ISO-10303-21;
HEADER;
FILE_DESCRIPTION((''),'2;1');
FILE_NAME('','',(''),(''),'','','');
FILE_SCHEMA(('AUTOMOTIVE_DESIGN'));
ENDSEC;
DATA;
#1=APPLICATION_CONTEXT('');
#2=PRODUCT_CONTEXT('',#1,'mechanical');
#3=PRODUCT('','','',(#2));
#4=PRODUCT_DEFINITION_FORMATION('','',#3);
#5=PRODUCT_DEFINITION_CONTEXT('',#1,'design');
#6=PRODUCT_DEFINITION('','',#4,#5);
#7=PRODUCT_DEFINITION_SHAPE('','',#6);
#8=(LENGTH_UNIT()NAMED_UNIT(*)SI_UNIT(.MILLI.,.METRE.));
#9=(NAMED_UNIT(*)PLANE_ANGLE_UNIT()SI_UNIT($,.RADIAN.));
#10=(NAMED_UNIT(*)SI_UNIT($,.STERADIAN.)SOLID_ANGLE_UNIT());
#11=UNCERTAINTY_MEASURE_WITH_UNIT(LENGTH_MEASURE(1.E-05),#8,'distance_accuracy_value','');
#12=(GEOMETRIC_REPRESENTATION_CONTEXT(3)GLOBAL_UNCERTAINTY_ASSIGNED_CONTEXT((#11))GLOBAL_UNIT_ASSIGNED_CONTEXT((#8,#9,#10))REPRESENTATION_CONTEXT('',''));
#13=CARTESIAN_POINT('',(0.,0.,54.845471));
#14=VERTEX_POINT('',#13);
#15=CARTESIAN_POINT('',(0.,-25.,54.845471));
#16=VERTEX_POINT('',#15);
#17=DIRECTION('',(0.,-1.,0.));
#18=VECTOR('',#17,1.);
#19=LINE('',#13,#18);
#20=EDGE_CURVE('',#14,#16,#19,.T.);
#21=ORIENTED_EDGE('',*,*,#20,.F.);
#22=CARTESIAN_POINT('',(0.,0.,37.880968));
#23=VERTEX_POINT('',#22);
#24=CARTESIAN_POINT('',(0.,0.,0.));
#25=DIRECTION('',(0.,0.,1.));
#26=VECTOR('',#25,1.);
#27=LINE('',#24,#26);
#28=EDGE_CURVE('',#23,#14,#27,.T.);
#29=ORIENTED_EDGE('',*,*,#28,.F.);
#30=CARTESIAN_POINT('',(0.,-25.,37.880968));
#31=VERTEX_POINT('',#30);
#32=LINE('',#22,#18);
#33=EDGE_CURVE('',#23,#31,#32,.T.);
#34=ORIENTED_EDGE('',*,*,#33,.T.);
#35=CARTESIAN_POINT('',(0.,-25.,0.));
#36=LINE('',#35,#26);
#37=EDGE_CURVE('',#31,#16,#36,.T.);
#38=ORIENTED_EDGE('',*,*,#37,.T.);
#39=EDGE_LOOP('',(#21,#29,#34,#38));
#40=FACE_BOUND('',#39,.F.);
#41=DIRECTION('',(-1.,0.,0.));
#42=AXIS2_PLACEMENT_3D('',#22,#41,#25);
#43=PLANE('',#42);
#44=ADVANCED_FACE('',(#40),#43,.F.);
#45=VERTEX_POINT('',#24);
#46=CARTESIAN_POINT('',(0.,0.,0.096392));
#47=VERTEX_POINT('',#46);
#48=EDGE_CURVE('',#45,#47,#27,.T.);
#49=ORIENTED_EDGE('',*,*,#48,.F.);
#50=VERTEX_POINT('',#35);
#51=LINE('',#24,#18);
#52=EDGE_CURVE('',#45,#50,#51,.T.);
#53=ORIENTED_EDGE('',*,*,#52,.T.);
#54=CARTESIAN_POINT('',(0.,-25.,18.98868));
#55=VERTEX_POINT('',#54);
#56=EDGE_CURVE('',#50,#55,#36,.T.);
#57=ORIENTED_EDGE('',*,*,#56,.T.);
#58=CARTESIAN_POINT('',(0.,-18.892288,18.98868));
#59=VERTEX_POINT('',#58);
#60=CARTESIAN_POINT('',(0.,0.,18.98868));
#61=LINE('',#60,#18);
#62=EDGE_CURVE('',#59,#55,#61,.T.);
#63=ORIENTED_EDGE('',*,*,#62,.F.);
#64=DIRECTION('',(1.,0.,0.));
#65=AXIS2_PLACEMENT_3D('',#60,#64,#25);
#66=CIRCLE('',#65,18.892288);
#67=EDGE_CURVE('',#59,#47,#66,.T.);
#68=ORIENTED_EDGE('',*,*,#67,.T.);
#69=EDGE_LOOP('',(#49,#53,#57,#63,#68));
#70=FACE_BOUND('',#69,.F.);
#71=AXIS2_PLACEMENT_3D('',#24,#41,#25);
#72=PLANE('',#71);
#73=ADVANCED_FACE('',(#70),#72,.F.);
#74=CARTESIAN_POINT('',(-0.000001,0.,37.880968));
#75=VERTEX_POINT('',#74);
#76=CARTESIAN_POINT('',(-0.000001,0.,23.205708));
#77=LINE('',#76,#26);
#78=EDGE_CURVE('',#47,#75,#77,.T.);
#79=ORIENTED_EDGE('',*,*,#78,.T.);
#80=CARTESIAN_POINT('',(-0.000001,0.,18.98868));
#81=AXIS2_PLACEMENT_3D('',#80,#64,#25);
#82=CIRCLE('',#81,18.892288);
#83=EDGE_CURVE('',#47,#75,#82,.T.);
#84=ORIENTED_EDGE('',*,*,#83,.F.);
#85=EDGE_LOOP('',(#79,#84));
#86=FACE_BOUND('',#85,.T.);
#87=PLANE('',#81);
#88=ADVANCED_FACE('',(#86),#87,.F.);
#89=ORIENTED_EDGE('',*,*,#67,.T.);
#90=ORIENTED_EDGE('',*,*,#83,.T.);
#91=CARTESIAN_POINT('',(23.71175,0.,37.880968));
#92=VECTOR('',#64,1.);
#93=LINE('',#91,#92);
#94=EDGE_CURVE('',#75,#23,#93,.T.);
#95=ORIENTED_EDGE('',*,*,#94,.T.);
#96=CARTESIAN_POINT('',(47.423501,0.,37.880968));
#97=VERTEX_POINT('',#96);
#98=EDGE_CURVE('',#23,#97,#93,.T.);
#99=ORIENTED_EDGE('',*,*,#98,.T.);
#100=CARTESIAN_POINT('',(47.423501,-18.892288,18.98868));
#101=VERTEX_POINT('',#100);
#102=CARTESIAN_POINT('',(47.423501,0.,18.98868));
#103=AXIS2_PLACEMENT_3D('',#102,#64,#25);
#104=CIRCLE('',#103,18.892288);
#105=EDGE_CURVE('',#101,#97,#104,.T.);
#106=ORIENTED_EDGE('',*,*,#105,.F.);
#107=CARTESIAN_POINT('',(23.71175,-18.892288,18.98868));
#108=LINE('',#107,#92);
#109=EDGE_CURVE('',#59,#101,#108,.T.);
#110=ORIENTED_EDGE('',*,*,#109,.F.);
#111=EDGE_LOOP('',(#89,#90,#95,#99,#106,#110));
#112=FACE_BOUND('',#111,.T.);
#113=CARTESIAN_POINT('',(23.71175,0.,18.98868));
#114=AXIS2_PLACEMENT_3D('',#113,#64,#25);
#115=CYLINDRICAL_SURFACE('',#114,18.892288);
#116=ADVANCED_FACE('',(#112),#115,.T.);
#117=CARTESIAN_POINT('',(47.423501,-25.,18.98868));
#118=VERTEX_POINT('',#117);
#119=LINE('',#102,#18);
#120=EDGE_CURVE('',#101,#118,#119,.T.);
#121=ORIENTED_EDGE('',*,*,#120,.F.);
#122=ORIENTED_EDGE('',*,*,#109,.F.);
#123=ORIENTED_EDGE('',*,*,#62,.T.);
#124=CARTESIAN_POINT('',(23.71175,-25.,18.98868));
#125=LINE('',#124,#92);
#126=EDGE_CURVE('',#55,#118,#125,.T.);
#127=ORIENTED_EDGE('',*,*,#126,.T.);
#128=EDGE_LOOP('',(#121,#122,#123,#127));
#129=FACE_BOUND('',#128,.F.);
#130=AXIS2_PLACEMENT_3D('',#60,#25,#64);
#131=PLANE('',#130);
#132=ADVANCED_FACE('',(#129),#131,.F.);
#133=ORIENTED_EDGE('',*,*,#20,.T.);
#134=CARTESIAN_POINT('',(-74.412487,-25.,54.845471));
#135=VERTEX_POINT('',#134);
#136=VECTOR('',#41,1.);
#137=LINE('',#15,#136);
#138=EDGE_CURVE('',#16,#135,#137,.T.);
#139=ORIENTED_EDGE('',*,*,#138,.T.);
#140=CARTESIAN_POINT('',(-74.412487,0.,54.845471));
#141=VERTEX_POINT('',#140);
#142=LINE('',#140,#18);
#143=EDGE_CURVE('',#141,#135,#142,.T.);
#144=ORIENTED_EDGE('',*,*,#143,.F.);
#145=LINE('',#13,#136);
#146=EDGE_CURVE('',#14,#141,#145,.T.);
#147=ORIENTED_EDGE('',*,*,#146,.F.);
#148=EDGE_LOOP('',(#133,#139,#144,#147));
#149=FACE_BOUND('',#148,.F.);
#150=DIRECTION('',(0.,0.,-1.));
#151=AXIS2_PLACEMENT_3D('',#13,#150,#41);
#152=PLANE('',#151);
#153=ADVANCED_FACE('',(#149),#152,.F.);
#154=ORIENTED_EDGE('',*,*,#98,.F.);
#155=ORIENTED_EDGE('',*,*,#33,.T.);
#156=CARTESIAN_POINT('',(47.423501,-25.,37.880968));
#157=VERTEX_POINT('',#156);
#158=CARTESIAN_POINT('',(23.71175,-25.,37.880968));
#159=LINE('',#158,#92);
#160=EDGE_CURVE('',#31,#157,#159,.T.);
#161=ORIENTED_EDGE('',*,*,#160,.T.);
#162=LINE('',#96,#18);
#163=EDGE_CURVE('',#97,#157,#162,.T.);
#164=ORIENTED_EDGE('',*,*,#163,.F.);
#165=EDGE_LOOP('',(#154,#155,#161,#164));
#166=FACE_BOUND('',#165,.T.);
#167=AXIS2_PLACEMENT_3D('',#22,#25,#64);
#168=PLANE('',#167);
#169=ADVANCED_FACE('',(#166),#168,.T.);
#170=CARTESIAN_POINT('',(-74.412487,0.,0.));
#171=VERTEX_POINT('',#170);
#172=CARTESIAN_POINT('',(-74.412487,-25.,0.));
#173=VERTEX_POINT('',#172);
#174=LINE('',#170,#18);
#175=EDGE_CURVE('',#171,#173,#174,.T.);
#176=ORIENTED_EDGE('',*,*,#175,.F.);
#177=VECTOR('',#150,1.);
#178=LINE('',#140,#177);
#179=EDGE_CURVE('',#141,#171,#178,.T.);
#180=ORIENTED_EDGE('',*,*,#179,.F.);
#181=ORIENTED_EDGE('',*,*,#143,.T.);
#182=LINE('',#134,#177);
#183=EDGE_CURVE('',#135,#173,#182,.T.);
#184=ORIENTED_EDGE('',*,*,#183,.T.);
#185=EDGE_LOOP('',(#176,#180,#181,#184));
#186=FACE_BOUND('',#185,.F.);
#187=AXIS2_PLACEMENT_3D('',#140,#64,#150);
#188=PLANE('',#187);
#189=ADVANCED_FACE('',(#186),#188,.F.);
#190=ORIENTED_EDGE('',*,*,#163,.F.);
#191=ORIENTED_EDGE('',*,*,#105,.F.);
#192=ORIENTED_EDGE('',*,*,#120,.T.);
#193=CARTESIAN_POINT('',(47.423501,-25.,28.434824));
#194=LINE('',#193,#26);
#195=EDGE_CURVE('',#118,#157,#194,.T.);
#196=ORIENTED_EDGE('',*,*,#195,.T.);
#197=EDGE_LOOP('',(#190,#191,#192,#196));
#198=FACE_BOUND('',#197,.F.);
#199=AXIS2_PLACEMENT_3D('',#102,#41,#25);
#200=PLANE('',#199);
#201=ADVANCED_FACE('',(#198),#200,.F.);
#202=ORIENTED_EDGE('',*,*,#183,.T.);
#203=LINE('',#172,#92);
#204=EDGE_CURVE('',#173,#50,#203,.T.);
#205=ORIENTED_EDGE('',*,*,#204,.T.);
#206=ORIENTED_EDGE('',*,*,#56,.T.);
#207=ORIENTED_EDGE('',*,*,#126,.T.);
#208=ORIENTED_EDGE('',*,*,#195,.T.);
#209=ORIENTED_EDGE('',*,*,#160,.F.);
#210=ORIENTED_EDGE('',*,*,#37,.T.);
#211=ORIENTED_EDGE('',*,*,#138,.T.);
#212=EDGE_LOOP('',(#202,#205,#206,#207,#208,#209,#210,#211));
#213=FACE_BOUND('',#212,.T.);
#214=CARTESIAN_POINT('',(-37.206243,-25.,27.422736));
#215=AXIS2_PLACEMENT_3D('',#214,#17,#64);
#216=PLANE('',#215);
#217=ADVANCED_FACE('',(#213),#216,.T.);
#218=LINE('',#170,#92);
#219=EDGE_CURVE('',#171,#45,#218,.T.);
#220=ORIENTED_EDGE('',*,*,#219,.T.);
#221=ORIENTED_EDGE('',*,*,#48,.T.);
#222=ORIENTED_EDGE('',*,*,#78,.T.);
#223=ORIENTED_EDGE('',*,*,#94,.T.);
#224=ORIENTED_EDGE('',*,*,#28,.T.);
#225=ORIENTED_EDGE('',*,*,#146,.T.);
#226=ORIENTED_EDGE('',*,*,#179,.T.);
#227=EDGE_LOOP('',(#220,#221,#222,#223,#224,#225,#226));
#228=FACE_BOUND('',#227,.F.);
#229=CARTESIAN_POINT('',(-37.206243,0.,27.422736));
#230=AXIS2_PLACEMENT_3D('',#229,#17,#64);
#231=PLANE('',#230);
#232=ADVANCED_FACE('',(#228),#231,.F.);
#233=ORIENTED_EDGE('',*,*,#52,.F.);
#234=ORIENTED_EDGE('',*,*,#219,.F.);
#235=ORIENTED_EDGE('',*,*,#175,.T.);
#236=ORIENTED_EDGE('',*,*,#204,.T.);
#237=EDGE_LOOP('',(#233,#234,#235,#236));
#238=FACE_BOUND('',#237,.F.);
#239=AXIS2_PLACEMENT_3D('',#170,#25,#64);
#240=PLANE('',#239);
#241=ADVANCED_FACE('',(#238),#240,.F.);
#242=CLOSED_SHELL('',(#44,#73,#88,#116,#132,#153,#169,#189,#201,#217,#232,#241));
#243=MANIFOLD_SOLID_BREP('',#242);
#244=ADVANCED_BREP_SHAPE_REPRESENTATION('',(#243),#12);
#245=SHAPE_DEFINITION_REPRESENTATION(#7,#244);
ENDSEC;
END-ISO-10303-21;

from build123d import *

# Parameters (mm, degrees)
F0_W     = 47.423501
F0_H     = 18.892288
F2_DEPTH = 25


with BuildPart() as f1:
    # F0 (on Front) → F1 (revolve)
    with BuildSketch(Plane.XZ):
        with Locations((23.71175, 28.434824)):
            Rectangle(F0_W, F0_H)
    revolve(axis=Axis((23.71175, 0, 18.98868), (1, 0, 0)))

    # F0 (on Front) → F2 (join)
    with BuildSketch(Plane.XZ):
        Polygon((-74.412487, 54.845471), (-74.412487, 0), (0, 0), (0, 18.98868), (0, 37.880968), (0, 54.845471), align=None)
        with Locations((23.71175, 28.434824)):
            Rectangle(F0_W, F0_H)
    extrude(amount=F2_DEPTH)


solid = f1.part
